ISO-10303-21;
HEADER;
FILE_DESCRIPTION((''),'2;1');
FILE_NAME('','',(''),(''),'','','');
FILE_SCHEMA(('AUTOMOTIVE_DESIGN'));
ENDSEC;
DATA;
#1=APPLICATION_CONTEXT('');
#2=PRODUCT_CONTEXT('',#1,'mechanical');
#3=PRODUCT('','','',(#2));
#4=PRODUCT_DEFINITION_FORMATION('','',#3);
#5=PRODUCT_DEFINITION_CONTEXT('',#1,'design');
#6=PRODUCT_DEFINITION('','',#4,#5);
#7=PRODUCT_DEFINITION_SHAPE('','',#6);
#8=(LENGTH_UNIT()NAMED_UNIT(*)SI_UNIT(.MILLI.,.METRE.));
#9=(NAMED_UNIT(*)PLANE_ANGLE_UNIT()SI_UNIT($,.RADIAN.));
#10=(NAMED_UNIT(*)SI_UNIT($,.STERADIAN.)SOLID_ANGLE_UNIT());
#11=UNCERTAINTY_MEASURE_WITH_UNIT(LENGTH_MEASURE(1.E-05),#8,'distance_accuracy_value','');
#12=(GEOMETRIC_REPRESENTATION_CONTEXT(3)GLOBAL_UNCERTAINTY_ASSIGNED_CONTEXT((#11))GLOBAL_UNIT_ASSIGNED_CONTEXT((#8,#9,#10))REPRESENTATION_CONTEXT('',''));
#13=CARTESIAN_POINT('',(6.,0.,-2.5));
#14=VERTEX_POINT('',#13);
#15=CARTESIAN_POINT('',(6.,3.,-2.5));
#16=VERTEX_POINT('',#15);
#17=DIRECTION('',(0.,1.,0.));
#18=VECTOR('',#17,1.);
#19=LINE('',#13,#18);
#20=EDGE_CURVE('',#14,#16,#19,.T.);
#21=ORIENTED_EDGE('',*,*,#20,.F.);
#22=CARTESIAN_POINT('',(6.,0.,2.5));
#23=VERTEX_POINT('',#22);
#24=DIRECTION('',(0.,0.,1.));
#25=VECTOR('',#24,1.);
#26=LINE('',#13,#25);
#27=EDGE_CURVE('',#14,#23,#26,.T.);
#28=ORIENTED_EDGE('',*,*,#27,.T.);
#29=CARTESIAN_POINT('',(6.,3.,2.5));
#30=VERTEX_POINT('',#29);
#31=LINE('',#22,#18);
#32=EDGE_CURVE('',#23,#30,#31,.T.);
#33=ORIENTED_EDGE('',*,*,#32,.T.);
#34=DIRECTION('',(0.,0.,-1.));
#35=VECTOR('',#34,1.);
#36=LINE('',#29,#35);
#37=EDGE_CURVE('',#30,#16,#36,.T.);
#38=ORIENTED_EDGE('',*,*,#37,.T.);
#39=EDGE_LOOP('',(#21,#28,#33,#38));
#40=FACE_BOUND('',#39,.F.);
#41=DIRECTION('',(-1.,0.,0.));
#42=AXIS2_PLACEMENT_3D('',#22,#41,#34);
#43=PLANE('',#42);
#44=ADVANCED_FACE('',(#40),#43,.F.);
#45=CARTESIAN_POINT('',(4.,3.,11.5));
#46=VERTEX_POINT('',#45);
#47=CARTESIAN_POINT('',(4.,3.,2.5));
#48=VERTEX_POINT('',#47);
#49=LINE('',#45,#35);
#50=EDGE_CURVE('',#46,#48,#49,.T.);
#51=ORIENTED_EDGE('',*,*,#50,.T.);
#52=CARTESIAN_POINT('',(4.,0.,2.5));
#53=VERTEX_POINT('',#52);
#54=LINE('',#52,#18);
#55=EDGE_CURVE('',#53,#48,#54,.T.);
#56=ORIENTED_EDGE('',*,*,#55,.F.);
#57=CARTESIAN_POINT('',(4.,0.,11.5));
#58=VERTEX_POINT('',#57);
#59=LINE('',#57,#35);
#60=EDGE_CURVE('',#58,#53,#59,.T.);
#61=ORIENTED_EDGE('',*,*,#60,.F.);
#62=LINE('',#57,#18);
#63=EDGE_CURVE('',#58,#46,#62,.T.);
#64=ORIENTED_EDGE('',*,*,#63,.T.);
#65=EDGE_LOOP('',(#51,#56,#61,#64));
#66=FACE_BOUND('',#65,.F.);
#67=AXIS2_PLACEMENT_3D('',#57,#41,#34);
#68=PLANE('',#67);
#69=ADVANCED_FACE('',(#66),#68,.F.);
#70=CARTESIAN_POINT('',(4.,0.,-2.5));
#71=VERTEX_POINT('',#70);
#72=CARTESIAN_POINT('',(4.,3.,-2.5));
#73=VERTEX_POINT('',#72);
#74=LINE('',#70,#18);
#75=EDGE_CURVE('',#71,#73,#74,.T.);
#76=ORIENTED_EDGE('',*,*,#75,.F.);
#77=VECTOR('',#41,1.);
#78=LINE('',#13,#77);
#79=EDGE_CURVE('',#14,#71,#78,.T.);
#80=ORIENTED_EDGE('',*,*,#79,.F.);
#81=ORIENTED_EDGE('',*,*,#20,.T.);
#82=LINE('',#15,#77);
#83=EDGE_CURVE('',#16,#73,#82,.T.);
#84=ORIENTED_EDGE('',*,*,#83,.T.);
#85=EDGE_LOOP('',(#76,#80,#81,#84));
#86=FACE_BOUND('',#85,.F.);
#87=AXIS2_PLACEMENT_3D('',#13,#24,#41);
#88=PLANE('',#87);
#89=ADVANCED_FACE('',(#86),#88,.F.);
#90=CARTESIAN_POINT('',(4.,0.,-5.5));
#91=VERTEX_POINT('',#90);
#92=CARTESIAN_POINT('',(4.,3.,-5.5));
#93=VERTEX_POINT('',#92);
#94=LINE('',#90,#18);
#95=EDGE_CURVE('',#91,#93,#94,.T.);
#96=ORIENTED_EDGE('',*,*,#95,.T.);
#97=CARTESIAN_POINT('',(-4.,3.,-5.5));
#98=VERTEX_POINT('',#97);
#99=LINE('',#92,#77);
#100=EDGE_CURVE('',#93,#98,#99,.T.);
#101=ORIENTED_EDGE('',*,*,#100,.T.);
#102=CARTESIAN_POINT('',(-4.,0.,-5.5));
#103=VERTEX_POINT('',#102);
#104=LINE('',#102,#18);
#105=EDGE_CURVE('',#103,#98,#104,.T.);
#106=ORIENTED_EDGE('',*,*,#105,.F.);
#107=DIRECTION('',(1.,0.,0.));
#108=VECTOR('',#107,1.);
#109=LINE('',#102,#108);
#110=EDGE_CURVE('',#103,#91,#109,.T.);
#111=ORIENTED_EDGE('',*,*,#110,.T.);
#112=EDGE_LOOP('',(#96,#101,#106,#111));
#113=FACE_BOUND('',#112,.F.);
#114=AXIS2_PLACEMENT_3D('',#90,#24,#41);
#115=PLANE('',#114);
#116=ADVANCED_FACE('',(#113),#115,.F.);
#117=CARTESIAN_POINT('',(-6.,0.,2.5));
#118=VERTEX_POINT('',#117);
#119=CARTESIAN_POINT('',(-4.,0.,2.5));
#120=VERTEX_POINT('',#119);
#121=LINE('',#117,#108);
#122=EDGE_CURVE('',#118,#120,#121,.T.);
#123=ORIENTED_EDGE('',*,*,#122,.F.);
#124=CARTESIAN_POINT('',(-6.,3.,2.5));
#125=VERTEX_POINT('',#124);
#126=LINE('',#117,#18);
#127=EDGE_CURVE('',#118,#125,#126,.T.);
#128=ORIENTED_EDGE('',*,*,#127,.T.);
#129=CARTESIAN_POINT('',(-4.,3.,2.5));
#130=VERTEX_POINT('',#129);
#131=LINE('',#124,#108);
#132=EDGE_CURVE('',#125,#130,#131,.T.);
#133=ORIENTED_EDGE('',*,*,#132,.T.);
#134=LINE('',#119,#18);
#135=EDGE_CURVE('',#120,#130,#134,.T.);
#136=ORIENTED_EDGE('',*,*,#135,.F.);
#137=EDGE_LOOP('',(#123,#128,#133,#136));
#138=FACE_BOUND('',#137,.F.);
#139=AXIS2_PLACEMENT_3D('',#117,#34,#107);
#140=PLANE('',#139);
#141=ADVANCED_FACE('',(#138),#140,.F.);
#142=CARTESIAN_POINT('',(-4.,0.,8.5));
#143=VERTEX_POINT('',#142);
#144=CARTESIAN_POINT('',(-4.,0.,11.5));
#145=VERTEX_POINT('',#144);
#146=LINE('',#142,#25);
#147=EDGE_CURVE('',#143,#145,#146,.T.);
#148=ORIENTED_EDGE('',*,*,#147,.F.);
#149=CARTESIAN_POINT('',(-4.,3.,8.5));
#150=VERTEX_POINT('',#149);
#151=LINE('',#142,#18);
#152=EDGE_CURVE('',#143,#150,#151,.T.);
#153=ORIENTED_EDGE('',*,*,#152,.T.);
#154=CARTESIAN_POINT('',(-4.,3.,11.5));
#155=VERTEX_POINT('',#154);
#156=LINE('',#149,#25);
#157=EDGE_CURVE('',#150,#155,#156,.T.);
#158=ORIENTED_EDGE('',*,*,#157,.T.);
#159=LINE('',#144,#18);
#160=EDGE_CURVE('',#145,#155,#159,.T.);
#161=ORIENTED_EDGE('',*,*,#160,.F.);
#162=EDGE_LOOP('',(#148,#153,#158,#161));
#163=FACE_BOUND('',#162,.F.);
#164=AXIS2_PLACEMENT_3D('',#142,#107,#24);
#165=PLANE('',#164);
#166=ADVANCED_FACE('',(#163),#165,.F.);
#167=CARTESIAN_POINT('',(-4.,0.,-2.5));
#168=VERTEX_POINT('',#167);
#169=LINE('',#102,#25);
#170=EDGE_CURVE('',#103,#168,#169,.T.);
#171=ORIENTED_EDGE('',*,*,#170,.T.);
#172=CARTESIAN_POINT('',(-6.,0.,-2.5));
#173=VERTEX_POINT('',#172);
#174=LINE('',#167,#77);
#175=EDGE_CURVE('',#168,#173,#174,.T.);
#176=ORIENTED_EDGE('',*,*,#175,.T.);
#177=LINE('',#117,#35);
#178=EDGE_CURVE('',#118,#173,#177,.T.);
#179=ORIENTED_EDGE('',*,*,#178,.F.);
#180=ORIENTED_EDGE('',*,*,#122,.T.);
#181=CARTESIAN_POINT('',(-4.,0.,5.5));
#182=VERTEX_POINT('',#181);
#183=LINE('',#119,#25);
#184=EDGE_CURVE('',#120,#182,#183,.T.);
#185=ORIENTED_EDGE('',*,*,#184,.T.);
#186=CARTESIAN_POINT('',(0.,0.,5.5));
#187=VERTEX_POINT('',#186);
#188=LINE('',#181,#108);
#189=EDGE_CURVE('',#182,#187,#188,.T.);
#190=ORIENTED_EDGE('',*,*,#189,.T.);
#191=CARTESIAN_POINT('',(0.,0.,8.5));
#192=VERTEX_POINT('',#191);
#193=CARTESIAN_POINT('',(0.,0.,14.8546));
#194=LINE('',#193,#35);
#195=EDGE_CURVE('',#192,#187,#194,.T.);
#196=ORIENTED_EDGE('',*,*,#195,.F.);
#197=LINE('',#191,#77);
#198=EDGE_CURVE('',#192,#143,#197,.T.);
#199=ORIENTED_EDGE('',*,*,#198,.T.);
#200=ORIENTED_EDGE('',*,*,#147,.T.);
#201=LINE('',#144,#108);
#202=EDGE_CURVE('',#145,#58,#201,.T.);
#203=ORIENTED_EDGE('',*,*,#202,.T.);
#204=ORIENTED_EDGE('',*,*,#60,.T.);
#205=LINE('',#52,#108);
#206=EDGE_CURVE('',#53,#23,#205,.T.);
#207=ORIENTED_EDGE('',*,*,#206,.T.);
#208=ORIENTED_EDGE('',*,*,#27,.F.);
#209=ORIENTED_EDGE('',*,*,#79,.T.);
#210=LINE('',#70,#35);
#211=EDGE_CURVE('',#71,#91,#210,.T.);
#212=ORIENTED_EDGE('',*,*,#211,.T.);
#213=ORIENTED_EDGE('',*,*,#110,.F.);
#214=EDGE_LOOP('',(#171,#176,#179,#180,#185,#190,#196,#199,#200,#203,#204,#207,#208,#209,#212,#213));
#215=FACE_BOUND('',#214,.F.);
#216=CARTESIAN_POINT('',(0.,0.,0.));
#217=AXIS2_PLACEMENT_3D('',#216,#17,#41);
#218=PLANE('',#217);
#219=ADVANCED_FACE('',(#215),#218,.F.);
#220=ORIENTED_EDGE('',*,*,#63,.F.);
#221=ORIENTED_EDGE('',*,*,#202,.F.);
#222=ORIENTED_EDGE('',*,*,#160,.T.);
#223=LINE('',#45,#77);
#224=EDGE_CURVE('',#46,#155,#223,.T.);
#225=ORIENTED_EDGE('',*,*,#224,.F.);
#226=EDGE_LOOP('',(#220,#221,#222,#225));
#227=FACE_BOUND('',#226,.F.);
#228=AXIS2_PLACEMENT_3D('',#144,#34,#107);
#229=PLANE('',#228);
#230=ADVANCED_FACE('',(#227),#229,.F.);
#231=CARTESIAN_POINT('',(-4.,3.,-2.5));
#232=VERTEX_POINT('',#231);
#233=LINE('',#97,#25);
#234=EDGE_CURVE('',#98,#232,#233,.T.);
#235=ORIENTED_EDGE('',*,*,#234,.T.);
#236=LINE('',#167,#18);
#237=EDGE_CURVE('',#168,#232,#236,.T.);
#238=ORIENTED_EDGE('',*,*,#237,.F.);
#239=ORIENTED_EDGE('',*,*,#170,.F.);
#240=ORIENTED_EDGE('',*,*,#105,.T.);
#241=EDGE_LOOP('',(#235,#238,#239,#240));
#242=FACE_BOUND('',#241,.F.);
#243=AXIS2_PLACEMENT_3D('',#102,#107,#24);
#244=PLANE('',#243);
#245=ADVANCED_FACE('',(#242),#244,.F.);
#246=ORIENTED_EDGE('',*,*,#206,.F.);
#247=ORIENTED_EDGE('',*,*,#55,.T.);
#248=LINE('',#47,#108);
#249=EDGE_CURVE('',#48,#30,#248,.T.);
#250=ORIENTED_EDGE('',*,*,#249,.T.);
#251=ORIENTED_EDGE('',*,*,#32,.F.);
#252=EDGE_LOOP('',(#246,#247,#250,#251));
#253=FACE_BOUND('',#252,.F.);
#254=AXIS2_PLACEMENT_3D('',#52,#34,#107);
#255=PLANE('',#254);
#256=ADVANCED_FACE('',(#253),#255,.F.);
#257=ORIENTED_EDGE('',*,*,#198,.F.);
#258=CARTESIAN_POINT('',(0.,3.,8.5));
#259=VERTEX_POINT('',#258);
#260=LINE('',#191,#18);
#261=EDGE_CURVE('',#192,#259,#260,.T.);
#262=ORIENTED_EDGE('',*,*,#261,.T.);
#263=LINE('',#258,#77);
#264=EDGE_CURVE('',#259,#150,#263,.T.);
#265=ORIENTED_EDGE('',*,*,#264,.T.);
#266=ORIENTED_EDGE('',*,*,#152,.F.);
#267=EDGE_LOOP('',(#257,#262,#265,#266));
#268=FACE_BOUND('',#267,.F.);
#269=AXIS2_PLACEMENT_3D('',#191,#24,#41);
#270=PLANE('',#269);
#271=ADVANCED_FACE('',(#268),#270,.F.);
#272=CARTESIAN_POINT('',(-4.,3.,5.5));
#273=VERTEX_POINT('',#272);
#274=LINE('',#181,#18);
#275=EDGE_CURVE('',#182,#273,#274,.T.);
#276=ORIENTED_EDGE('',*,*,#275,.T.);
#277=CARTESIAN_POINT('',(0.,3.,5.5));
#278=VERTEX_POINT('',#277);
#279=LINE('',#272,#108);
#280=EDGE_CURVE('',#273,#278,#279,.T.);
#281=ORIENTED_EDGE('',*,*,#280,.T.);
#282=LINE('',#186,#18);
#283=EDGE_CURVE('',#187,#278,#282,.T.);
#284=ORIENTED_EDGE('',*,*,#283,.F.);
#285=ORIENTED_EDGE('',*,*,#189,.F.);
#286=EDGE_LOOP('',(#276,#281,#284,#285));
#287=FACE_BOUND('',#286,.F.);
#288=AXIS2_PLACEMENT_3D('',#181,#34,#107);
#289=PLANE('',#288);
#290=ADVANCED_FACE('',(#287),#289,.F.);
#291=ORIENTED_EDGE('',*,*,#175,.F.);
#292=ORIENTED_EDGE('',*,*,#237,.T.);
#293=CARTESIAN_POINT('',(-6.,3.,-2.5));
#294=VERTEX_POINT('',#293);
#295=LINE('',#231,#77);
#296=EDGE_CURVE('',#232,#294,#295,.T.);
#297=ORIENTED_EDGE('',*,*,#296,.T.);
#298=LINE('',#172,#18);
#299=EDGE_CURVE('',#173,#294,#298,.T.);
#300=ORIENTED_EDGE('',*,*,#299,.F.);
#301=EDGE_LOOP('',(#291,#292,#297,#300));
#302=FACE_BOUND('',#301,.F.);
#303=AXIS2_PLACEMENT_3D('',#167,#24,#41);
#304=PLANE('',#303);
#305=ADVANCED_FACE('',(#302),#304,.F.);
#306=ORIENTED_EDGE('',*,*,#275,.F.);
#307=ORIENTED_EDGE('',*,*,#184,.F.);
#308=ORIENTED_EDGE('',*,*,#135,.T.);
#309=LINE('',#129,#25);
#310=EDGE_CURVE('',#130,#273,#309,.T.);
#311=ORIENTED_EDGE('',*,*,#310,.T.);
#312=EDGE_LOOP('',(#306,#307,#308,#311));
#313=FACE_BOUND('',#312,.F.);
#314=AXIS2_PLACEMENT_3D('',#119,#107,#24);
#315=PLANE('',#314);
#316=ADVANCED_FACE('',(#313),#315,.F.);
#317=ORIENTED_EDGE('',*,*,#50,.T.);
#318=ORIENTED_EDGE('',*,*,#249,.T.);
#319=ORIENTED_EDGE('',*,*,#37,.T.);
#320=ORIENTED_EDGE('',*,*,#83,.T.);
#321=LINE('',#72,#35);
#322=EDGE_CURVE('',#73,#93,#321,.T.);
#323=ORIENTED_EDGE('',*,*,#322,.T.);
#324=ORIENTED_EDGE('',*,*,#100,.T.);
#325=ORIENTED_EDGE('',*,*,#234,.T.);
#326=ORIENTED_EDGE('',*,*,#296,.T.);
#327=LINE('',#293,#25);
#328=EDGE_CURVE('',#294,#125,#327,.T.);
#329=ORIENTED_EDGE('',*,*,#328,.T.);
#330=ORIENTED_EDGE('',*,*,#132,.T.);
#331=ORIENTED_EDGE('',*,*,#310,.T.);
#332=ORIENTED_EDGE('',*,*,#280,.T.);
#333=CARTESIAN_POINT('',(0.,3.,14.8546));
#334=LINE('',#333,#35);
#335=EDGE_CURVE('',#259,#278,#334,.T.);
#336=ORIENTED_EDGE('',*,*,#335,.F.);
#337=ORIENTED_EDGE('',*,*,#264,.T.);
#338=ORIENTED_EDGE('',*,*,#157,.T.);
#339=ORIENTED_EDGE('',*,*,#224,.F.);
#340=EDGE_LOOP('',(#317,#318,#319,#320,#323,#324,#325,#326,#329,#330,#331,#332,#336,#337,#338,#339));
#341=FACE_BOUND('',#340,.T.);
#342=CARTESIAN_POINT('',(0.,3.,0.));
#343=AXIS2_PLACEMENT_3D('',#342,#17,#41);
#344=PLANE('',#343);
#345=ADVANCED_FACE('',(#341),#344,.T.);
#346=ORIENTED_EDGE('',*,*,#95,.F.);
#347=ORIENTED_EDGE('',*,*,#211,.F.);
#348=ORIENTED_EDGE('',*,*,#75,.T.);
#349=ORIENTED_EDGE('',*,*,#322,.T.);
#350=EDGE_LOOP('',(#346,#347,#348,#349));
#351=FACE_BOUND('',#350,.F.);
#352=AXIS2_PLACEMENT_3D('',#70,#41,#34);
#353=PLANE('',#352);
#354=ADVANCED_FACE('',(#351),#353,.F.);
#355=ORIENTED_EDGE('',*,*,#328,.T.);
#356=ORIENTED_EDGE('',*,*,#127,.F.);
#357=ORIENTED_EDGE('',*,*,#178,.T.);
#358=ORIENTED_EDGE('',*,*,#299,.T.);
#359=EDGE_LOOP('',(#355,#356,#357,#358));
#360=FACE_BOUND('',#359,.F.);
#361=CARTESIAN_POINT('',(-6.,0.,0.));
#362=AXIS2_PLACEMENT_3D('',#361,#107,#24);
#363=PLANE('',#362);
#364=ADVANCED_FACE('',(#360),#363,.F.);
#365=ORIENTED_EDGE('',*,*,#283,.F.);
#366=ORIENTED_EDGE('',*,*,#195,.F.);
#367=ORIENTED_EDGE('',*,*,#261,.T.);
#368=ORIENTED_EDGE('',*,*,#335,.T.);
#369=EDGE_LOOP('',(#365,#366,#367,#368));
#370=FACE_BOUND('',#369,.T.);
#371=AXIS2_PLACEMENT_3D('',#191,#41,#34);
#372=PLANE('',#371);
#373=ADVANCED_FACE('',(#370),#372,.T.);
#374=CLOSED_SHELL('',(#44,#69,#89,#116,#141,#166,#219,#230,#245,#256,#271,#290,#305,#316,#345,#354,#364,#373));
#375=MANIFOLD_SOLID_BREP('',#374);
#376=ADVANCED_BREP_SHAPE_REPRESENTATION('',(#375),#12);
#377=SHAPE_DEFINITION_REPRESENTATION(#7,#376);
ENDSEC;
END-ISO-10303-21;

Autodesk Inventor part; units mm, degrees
ref_plane "YZ Plane" through (0, 0, 0) normal (1, 0, 0) x (0, 1, 0)
ref_plane "XZ Plane" through (0, 0, 0) normal (0, 1, 0) x (-1, 0, 0)
ref_plane "XY Plane" through (0, 0, 0) normal (0, 0, 1) x (1, 0, 0)
sketch "草圖1" plane through (0, 0, 0) normal (0, 1, 0) x (-1, 0, 0)
  line L0 (4, 11.5) -> (-4, 11.5)
  line L1 (-4, -5.5) -> (4, -5.5)
  line L2 (-6, 2.5) -> (-6, -2.5)
  line L3 (6, -2.5) -> (6, 2.5)
  line L4 (6, 2.5) -> (4, 2.5)
  line L5 (-4, 2.5) -> (-6, 2.5)
  line L6 (4, -5.5) -> (4, -2.5)
  line L7 (-6, -2.5) -> (-4, -2.5)
  line L8 (4, -2.5) -> (6, -2.5)
  line L9 (-4, 11.5) -> (-4, 2.5)
  line L10 (-4, -2.5) -> (-4, -5.5)
  line L11 (0, 14.8546) -> (0, -17.157)
  line L12 (13.4413, 0) -> (-16.1444, 0)
  line L13 (4, 5.5) -> (0, 5.5)
  line L14 (0, 5.5) -> (0, 8.5)
  line L15 (0, 8.5) -> (4, 8.5)
  line L16 (4, 2.5) -> (4, 5.5)
  line L17 (4, 8.5) -> (4, 11.5)
  point P0 (0, 0)
  point P1 (-6, 0)
  point P2 (6, 0)
  dimension "d0" = 8
  dimension "d3" = 5
  dimension "d5" = 12
  dimension "d8" = 3
  dimension "d9" = 9
  dimension "d10" = 3
  dimension "d11" = 3
extrude "擠出1" add sketch "草圖1" along normal blind 3
properties part number "plug" material "木材 (楓木)"
